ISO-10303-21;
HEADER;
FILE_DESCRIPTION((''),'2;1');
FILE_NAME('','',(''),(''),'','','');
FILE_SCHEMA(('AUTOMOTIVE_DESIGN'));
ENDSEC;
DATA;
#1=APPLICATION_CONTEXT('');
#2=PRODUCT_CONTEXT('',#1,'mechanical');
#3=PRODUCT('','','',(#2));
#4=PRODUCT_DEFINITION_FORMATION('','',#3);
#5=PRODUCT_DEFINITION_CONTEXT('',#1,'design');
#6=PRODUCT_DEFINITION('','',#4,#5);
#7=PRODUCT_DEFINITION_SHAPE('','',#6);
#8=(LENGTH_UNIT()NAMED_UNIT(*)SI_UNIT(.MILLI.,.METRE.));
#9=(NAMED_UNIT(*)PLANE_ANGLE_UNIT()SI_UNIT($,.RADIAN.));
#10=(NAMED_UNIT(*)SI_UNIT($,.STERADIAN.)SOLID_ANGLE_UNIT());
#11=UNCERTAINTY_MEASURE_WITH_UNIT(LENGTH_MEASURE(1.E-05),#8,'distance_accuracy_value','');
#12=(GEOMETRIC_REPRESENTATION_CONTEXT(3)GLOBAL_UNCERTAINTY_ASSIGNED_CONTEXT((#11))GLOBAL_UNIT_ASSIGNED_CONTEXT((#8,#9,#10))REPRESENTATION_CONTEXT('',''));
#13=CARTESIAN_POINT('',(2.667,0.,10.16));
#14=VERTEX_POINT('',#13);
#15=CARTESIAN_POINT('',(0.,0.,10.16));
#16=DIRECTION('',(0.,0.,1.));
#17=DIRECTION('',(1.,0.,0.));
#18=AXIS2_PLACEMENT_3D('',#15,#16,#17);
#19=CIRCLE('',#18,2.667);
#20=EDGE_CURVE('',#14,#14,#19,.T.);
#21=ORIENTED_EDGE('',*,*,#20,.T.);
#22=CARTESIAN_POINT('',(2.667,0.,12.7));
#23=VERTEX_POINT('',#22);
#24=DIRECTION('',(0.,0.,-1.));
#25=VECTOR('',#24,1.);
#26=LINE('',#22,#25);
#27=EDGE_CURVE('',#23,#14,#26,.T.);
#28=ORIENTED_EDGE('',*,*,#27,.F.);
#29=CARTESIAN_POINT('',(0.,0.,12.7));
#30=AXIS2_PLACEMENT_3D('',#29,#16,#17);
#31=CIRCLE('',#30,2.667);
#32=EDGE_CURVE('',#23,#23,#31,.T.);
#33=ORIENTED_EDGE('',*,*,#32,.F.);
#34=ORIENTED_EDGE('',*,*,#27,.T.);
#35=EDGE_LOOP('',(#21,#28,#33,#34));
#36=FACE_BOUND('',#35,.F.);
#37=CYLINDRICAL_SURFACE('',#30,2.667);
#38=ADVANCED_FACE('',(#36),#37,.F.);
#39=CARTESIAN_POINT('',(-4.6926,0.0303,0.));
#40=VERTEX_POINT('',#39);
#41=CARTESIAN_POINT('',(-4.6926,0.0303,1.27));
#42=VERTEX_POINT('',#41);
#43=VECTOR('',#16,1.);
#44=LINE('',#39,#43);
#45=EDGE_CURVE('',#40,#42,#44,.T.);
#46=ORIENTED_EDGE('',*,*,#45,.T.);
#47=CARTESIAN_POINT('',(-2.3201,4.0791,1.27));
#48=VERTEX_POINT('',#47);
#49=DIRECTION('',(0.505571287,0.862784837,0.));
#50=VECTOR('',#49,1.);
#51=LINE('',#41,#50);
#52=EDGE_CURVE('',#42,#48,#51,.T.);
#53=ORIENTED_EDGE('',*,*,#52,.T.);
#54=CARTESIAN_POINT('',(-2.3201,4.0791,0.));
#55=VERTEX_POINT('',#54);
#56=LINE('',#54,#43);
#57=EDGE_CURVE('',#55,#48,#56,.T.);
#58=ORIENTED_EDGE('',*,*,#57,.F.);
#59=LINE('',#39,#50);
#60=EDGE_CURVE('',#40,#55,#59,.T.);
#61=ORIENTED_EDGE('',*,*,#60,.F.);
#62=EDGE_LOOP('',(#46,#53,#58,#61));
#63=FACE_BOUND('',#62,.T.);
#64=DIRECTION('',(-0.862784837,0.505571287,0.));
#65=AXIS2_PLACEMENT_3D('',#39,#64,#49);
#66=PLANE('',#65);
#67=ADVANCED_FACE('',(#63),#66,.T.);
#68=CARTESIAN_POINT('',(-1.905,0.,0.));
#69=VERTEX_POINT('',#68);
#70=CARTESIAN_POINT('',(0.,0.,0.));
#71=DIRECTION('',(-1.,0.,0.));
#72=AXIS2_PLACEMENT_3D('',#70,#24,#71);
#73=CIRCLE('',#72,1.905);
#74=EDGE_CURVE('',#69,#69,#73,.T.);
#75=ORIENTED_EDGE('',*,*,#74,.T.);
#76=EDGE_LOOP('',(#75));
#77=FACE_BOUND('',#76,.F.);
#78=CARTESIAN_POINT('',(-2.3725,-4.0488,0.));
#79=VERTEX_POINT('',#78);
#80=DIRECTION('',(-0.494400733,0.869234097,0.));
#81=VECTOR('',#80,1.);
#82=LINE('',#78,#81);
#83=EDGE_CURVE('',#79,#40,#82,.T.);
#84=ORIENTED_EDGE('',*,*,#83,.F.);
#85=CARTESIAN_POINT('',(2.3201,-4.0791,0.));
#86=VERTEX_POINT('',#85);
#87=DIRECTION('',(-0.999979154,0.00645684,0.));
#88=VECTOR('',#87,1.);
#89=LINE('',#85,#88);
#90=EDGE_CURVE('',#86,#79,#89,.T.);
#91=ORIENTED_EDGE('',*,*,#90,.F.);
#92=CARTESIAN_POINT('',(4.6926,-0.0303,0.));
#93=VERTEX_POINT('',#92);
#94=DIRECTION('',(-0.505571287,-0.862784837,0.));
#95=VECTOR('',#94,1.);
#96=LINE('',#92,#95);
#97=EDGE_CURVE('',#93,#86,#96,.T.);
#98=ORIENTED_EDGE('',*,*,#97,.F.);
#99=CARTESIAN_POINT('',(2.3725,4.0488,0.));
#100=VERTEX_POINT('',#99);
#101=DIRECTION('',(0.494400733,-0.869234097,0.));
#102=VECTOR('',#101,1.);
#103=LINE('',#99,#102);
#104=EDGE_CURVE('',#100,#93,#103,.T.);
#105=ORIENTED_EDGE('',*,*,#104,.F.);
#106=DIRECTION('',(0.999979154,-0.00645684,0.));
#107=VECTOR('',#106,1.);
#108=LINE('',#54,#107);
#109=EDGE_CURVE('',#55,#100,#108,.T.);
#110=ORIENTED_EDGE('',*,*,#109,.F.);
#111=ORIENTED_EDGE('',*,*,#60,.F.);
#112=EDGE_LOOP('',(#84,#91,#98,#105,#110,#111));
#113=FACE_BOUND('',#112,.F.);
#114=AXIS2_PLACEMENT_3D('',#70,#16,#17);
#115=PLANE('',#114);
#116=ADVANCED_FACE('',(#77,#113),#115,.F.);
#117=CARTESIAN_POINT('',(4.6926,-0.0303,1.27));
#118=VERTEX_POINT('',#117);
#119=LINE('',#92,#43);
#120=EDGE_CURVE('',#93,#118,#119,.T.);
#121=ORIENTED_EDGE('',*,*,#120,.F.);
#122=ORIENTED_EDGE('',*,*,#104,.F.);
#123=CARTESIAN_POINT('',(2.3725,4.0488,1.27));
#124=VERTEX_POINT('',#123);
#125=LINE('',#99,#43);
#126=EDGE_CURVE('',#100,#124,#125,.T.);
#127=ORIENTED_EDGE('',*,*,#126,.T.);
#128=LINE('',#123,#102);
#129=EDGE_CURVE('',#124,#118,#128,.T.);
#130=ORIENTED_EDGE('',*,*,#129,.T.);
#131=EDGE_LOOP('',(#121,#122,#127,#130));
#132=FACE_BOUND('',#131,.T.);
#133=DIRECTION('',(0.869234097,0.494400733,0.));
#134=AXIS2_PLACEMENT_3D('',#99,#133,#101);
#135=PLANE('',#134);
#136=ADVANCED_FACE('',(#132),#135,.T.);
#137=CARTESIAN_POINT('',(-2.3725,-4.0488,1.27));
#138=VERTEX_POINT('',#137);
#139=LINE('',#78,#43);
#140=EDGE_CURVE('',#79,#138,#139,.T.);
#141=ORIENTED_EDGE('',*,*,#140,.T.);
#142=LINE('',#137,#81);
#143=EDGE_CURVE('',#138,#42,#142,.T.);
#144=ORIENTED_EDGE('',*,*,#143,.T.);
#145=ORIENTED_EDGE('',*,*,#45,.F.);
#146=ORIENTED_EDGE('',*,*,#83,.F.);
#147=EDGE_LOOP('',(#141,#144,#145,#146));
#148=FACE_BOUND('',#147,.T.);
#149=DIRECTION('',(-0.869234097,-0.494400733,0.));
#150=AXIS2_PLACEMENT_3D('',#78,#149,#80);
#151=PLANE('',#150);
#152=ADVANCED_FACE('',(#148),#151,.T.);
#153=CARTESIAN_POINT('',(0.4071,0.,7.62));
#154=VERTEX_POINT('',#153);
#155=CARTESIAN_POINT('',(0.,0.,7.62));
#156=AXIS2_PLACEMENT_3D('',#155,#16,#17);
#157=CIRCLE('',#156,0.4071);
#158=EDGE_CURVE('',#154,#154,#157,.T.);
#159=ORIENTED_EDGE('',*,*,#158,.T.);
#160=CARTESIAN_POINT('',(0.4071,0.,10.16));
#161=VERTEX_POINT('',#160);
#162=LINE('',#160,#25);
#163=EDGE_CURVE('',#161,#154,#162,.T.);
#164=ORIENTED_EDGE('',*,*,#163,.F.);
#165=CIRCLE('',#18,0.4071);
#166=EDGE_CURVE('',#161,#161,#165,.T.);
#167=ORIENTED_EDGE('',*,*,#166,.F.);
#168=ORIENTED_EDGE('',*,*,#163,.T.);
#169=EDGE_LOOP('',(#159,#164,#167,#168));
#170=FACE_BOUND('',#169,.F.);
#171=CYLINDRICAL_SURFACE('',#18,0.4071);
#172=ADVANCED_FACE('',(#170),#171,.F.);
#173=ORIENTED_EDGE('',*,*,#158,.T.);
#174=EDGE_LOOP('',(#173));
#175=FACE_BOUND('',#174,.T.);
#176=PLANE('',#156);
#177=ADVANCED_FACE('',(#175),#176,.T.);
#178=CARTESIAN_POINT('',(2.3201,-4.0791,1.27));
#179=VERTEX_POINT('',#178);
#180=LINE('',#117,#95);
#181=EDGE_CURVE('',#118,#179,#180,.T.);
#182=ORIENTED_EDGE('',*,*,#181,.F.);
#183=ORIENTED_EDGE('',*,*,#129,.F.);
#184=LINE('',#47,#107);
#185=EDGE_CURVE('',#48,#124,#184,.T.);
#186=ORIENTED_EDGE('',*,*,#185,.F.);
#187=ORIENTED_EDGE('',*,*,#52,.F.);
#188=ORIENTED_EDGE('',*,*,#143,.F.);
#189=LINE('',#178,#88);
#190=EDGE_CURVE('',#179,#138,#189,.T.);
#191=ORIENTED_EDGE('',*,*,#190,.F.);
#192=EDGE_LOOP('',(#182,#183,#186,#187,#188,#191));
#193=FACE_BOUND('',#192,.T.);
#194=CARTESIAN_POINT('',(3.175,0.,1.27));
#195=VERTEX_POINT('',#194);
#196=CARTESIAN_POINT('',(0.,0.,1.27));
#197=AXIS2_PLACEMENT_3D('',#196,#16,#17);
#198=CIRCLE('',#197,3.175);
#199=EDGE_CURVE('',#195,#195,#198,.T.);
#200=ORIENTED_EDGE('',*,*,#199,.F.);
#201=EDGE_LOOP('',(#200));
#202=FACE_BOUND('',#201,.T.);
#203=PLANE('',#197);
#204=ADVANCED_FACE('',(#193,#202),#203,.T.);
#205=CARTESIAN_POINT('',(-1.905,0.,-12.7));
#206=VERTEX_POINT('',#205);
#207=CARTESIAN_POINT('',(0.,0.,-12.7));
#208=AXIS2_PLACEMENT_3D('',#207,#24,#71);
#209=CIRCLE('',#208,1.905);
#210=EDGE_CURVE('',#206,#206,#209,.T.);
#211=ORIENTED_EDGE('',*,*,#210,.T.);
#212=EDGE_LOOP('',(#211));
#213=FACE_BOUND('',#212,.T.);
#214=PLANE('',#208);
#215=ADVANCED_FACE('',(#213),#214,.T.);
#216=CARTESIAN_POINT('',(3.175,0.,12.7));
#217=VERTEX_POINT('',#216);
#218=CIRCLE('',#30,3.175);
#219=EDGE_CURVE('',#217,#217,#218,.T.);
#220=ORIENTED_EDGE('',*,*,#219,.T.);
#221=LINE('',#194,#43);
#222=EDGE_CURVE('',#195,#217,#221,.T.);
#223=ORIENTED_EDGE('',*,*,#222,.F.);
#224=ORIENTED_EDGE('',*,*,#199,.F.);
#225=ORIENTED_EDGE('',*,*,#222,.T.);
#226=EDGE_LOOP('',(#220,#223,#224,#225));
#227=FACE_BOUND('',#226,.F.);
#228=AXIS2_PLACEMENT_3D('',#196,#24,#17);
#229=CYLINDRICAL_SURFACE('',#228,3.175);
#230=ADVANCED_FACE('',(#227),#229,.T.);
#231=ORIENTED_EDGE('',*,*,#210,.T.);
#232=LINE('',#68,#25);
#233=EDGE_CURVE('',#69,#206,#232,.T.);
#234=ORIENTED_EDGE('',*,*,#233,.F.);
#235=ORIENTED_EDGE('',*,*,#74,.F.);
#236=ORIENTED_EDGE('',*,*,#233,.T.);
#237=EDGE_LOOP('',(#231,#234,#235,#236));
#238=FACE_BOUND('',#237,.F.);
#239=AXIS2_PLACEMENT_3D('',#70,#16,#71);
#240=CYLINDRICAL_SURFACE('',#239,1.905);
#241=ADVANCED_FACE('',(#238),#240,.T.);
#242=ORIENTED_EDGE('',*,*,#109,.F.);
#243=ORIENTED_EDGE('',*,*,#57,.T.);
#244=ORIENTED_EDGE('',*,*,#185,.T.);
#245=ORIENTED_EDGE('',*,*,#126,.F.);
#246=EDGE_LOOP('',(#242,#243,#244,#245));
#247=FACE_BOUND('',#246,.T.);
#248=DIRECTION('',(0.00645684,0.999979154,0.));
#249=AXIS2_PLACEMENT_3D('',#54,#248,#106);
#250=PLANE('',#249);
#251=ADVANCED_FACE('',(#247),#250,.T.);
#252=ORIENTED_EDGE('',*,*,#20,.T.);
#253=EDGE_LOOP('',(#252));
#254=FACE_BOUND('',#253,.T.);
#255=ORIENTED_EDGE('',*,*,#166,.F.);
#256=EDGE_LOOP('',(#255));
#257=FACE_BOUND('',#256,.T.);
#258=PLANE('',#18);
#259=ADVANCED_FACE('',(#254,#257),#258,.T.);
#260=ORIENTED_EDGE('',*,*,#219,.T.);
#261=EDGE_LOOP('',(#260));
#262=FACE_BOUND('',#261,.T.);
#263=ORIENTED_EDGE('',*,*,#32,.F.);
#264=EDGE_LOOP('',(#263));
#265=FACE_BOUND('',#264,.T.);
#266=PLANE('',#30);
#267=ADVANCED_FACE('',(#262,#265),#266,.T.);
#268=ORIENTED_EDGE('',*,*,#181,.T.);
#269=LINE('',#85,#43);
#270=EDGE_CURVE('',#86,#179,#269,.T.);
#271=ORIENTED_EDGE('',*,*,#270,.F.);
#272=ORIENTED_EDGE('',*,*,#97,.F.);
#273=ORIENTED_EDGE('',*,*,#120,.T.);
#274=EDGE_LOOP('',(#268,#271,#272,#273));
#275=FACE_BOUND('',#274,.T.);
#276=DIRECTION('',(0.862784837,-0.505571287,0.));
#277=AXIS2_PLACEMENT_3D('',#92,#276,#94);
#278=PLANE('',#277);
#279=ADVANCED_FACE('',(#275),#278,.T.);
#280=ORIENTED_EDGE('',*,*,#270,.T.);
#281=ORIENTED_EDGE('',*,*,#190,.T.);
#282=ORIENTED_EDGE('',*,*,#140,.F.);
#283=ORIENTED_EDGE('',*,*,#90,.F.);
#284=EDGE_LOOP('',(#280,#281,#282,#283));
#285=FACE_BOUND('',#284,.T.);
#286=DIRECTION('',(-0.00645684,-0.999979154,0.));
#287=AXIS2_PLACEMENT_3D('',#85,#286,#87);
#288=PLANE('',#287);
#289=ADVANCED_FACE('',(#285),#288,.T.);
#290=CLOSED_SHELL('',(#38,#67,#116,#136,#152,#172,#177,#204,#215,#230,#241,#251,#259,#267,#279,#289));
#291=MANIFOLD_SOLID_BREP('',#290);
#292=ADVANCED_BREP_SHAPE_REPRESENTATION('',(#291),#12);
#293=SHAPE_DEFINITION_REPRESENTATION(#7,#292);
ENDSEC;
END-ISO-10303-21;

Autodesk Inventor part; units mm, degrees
ref_plane "YZ Plane" through (0, 0, 0) normal (1, 0, 0) x (0, 1, 0)
ref_plane "XZ Plane" through (0, 0, 0) normal (0, 1, 0) x (-1, 0, 0)
ref_plane "XY Plane" through (0, 0, 0) normal (0, 0, 1) x (1, 0, 0)
sketch "Sketch1" plane through (0, 0, 0) normal (0, 0, 1) x (1, 0, 0)
  line L0 (2.3725, 4.0488) -> (4.6926, -0.0303)
  line L1 (4.6926, -0.0303) -> (2.3201, -4.0791)
  line L2 (2.3201, -4.0791) -> (-2.3725, -4.0488)
  line L3 (-2.3725, -4.0488) -> (-4.6926, 0.0303)
  line L4 (-4.6926, 0.0303) -> (-2.3201, 4.0791)
  line L5 (-2.3201, 4.0791) -> (2.3725, 4.0488)
  point P0 (0, 0)
  point P1 (0, 0)
  dimension "d0" = 8.128
extrude "Extrusion1" add sketch "Sketch1" along normal blind 1.27
sketch "Sketch2" plane through (0, 0, 1.27) normal (0, 0, 1) x (1, 0, 0)
  circle A0 centre (0, 0) radius 3.175
  dimension "d3" = 6.35
extrude "Extrusion2" add sketch "Sketch2" along normal blind 11.43
thread "Thread1" size "1/4-36 UNS" class "2A" standard "ANSI Unified Screw Threads" full length
sketch "Sketch3" plane through (0, 0, 12.7) normal (0, 0, 1) x (1, 0, 0)
  circle A0 centre (0, 0) radius 3.175 projected
  circle A1 centre (0, 0) radius 2.667
  dimension "d9" = 0.508
extrude "Extrusion3" cut sketch "Sketch3" against normal blind 2.54 contours A1
sketch "Sketch4" plane through (0, 0, 10.16) normal (0, 0, 1) x (1, 0, 0)
  circle A0 centre (0, 0) radius 2.667 projected
  circle A1 centre (0, 0) radius 0.4071
extrude "Extrusion4" cut sketch "Sketch4" against normal blind 2.54 contours A1
sketch "Sketch5" plane through (0, 0, 0) normal (0, 0, -1) x (-1, 0, 0)
  circle A0 centre (0, 0) radius 1.905
  dimension "d14" = 3.81
extrude "Extrusion5" add sketch "Sketch5" along normal blind 12.7
properties part number "sma_female_bulkhead" material "Gold"
